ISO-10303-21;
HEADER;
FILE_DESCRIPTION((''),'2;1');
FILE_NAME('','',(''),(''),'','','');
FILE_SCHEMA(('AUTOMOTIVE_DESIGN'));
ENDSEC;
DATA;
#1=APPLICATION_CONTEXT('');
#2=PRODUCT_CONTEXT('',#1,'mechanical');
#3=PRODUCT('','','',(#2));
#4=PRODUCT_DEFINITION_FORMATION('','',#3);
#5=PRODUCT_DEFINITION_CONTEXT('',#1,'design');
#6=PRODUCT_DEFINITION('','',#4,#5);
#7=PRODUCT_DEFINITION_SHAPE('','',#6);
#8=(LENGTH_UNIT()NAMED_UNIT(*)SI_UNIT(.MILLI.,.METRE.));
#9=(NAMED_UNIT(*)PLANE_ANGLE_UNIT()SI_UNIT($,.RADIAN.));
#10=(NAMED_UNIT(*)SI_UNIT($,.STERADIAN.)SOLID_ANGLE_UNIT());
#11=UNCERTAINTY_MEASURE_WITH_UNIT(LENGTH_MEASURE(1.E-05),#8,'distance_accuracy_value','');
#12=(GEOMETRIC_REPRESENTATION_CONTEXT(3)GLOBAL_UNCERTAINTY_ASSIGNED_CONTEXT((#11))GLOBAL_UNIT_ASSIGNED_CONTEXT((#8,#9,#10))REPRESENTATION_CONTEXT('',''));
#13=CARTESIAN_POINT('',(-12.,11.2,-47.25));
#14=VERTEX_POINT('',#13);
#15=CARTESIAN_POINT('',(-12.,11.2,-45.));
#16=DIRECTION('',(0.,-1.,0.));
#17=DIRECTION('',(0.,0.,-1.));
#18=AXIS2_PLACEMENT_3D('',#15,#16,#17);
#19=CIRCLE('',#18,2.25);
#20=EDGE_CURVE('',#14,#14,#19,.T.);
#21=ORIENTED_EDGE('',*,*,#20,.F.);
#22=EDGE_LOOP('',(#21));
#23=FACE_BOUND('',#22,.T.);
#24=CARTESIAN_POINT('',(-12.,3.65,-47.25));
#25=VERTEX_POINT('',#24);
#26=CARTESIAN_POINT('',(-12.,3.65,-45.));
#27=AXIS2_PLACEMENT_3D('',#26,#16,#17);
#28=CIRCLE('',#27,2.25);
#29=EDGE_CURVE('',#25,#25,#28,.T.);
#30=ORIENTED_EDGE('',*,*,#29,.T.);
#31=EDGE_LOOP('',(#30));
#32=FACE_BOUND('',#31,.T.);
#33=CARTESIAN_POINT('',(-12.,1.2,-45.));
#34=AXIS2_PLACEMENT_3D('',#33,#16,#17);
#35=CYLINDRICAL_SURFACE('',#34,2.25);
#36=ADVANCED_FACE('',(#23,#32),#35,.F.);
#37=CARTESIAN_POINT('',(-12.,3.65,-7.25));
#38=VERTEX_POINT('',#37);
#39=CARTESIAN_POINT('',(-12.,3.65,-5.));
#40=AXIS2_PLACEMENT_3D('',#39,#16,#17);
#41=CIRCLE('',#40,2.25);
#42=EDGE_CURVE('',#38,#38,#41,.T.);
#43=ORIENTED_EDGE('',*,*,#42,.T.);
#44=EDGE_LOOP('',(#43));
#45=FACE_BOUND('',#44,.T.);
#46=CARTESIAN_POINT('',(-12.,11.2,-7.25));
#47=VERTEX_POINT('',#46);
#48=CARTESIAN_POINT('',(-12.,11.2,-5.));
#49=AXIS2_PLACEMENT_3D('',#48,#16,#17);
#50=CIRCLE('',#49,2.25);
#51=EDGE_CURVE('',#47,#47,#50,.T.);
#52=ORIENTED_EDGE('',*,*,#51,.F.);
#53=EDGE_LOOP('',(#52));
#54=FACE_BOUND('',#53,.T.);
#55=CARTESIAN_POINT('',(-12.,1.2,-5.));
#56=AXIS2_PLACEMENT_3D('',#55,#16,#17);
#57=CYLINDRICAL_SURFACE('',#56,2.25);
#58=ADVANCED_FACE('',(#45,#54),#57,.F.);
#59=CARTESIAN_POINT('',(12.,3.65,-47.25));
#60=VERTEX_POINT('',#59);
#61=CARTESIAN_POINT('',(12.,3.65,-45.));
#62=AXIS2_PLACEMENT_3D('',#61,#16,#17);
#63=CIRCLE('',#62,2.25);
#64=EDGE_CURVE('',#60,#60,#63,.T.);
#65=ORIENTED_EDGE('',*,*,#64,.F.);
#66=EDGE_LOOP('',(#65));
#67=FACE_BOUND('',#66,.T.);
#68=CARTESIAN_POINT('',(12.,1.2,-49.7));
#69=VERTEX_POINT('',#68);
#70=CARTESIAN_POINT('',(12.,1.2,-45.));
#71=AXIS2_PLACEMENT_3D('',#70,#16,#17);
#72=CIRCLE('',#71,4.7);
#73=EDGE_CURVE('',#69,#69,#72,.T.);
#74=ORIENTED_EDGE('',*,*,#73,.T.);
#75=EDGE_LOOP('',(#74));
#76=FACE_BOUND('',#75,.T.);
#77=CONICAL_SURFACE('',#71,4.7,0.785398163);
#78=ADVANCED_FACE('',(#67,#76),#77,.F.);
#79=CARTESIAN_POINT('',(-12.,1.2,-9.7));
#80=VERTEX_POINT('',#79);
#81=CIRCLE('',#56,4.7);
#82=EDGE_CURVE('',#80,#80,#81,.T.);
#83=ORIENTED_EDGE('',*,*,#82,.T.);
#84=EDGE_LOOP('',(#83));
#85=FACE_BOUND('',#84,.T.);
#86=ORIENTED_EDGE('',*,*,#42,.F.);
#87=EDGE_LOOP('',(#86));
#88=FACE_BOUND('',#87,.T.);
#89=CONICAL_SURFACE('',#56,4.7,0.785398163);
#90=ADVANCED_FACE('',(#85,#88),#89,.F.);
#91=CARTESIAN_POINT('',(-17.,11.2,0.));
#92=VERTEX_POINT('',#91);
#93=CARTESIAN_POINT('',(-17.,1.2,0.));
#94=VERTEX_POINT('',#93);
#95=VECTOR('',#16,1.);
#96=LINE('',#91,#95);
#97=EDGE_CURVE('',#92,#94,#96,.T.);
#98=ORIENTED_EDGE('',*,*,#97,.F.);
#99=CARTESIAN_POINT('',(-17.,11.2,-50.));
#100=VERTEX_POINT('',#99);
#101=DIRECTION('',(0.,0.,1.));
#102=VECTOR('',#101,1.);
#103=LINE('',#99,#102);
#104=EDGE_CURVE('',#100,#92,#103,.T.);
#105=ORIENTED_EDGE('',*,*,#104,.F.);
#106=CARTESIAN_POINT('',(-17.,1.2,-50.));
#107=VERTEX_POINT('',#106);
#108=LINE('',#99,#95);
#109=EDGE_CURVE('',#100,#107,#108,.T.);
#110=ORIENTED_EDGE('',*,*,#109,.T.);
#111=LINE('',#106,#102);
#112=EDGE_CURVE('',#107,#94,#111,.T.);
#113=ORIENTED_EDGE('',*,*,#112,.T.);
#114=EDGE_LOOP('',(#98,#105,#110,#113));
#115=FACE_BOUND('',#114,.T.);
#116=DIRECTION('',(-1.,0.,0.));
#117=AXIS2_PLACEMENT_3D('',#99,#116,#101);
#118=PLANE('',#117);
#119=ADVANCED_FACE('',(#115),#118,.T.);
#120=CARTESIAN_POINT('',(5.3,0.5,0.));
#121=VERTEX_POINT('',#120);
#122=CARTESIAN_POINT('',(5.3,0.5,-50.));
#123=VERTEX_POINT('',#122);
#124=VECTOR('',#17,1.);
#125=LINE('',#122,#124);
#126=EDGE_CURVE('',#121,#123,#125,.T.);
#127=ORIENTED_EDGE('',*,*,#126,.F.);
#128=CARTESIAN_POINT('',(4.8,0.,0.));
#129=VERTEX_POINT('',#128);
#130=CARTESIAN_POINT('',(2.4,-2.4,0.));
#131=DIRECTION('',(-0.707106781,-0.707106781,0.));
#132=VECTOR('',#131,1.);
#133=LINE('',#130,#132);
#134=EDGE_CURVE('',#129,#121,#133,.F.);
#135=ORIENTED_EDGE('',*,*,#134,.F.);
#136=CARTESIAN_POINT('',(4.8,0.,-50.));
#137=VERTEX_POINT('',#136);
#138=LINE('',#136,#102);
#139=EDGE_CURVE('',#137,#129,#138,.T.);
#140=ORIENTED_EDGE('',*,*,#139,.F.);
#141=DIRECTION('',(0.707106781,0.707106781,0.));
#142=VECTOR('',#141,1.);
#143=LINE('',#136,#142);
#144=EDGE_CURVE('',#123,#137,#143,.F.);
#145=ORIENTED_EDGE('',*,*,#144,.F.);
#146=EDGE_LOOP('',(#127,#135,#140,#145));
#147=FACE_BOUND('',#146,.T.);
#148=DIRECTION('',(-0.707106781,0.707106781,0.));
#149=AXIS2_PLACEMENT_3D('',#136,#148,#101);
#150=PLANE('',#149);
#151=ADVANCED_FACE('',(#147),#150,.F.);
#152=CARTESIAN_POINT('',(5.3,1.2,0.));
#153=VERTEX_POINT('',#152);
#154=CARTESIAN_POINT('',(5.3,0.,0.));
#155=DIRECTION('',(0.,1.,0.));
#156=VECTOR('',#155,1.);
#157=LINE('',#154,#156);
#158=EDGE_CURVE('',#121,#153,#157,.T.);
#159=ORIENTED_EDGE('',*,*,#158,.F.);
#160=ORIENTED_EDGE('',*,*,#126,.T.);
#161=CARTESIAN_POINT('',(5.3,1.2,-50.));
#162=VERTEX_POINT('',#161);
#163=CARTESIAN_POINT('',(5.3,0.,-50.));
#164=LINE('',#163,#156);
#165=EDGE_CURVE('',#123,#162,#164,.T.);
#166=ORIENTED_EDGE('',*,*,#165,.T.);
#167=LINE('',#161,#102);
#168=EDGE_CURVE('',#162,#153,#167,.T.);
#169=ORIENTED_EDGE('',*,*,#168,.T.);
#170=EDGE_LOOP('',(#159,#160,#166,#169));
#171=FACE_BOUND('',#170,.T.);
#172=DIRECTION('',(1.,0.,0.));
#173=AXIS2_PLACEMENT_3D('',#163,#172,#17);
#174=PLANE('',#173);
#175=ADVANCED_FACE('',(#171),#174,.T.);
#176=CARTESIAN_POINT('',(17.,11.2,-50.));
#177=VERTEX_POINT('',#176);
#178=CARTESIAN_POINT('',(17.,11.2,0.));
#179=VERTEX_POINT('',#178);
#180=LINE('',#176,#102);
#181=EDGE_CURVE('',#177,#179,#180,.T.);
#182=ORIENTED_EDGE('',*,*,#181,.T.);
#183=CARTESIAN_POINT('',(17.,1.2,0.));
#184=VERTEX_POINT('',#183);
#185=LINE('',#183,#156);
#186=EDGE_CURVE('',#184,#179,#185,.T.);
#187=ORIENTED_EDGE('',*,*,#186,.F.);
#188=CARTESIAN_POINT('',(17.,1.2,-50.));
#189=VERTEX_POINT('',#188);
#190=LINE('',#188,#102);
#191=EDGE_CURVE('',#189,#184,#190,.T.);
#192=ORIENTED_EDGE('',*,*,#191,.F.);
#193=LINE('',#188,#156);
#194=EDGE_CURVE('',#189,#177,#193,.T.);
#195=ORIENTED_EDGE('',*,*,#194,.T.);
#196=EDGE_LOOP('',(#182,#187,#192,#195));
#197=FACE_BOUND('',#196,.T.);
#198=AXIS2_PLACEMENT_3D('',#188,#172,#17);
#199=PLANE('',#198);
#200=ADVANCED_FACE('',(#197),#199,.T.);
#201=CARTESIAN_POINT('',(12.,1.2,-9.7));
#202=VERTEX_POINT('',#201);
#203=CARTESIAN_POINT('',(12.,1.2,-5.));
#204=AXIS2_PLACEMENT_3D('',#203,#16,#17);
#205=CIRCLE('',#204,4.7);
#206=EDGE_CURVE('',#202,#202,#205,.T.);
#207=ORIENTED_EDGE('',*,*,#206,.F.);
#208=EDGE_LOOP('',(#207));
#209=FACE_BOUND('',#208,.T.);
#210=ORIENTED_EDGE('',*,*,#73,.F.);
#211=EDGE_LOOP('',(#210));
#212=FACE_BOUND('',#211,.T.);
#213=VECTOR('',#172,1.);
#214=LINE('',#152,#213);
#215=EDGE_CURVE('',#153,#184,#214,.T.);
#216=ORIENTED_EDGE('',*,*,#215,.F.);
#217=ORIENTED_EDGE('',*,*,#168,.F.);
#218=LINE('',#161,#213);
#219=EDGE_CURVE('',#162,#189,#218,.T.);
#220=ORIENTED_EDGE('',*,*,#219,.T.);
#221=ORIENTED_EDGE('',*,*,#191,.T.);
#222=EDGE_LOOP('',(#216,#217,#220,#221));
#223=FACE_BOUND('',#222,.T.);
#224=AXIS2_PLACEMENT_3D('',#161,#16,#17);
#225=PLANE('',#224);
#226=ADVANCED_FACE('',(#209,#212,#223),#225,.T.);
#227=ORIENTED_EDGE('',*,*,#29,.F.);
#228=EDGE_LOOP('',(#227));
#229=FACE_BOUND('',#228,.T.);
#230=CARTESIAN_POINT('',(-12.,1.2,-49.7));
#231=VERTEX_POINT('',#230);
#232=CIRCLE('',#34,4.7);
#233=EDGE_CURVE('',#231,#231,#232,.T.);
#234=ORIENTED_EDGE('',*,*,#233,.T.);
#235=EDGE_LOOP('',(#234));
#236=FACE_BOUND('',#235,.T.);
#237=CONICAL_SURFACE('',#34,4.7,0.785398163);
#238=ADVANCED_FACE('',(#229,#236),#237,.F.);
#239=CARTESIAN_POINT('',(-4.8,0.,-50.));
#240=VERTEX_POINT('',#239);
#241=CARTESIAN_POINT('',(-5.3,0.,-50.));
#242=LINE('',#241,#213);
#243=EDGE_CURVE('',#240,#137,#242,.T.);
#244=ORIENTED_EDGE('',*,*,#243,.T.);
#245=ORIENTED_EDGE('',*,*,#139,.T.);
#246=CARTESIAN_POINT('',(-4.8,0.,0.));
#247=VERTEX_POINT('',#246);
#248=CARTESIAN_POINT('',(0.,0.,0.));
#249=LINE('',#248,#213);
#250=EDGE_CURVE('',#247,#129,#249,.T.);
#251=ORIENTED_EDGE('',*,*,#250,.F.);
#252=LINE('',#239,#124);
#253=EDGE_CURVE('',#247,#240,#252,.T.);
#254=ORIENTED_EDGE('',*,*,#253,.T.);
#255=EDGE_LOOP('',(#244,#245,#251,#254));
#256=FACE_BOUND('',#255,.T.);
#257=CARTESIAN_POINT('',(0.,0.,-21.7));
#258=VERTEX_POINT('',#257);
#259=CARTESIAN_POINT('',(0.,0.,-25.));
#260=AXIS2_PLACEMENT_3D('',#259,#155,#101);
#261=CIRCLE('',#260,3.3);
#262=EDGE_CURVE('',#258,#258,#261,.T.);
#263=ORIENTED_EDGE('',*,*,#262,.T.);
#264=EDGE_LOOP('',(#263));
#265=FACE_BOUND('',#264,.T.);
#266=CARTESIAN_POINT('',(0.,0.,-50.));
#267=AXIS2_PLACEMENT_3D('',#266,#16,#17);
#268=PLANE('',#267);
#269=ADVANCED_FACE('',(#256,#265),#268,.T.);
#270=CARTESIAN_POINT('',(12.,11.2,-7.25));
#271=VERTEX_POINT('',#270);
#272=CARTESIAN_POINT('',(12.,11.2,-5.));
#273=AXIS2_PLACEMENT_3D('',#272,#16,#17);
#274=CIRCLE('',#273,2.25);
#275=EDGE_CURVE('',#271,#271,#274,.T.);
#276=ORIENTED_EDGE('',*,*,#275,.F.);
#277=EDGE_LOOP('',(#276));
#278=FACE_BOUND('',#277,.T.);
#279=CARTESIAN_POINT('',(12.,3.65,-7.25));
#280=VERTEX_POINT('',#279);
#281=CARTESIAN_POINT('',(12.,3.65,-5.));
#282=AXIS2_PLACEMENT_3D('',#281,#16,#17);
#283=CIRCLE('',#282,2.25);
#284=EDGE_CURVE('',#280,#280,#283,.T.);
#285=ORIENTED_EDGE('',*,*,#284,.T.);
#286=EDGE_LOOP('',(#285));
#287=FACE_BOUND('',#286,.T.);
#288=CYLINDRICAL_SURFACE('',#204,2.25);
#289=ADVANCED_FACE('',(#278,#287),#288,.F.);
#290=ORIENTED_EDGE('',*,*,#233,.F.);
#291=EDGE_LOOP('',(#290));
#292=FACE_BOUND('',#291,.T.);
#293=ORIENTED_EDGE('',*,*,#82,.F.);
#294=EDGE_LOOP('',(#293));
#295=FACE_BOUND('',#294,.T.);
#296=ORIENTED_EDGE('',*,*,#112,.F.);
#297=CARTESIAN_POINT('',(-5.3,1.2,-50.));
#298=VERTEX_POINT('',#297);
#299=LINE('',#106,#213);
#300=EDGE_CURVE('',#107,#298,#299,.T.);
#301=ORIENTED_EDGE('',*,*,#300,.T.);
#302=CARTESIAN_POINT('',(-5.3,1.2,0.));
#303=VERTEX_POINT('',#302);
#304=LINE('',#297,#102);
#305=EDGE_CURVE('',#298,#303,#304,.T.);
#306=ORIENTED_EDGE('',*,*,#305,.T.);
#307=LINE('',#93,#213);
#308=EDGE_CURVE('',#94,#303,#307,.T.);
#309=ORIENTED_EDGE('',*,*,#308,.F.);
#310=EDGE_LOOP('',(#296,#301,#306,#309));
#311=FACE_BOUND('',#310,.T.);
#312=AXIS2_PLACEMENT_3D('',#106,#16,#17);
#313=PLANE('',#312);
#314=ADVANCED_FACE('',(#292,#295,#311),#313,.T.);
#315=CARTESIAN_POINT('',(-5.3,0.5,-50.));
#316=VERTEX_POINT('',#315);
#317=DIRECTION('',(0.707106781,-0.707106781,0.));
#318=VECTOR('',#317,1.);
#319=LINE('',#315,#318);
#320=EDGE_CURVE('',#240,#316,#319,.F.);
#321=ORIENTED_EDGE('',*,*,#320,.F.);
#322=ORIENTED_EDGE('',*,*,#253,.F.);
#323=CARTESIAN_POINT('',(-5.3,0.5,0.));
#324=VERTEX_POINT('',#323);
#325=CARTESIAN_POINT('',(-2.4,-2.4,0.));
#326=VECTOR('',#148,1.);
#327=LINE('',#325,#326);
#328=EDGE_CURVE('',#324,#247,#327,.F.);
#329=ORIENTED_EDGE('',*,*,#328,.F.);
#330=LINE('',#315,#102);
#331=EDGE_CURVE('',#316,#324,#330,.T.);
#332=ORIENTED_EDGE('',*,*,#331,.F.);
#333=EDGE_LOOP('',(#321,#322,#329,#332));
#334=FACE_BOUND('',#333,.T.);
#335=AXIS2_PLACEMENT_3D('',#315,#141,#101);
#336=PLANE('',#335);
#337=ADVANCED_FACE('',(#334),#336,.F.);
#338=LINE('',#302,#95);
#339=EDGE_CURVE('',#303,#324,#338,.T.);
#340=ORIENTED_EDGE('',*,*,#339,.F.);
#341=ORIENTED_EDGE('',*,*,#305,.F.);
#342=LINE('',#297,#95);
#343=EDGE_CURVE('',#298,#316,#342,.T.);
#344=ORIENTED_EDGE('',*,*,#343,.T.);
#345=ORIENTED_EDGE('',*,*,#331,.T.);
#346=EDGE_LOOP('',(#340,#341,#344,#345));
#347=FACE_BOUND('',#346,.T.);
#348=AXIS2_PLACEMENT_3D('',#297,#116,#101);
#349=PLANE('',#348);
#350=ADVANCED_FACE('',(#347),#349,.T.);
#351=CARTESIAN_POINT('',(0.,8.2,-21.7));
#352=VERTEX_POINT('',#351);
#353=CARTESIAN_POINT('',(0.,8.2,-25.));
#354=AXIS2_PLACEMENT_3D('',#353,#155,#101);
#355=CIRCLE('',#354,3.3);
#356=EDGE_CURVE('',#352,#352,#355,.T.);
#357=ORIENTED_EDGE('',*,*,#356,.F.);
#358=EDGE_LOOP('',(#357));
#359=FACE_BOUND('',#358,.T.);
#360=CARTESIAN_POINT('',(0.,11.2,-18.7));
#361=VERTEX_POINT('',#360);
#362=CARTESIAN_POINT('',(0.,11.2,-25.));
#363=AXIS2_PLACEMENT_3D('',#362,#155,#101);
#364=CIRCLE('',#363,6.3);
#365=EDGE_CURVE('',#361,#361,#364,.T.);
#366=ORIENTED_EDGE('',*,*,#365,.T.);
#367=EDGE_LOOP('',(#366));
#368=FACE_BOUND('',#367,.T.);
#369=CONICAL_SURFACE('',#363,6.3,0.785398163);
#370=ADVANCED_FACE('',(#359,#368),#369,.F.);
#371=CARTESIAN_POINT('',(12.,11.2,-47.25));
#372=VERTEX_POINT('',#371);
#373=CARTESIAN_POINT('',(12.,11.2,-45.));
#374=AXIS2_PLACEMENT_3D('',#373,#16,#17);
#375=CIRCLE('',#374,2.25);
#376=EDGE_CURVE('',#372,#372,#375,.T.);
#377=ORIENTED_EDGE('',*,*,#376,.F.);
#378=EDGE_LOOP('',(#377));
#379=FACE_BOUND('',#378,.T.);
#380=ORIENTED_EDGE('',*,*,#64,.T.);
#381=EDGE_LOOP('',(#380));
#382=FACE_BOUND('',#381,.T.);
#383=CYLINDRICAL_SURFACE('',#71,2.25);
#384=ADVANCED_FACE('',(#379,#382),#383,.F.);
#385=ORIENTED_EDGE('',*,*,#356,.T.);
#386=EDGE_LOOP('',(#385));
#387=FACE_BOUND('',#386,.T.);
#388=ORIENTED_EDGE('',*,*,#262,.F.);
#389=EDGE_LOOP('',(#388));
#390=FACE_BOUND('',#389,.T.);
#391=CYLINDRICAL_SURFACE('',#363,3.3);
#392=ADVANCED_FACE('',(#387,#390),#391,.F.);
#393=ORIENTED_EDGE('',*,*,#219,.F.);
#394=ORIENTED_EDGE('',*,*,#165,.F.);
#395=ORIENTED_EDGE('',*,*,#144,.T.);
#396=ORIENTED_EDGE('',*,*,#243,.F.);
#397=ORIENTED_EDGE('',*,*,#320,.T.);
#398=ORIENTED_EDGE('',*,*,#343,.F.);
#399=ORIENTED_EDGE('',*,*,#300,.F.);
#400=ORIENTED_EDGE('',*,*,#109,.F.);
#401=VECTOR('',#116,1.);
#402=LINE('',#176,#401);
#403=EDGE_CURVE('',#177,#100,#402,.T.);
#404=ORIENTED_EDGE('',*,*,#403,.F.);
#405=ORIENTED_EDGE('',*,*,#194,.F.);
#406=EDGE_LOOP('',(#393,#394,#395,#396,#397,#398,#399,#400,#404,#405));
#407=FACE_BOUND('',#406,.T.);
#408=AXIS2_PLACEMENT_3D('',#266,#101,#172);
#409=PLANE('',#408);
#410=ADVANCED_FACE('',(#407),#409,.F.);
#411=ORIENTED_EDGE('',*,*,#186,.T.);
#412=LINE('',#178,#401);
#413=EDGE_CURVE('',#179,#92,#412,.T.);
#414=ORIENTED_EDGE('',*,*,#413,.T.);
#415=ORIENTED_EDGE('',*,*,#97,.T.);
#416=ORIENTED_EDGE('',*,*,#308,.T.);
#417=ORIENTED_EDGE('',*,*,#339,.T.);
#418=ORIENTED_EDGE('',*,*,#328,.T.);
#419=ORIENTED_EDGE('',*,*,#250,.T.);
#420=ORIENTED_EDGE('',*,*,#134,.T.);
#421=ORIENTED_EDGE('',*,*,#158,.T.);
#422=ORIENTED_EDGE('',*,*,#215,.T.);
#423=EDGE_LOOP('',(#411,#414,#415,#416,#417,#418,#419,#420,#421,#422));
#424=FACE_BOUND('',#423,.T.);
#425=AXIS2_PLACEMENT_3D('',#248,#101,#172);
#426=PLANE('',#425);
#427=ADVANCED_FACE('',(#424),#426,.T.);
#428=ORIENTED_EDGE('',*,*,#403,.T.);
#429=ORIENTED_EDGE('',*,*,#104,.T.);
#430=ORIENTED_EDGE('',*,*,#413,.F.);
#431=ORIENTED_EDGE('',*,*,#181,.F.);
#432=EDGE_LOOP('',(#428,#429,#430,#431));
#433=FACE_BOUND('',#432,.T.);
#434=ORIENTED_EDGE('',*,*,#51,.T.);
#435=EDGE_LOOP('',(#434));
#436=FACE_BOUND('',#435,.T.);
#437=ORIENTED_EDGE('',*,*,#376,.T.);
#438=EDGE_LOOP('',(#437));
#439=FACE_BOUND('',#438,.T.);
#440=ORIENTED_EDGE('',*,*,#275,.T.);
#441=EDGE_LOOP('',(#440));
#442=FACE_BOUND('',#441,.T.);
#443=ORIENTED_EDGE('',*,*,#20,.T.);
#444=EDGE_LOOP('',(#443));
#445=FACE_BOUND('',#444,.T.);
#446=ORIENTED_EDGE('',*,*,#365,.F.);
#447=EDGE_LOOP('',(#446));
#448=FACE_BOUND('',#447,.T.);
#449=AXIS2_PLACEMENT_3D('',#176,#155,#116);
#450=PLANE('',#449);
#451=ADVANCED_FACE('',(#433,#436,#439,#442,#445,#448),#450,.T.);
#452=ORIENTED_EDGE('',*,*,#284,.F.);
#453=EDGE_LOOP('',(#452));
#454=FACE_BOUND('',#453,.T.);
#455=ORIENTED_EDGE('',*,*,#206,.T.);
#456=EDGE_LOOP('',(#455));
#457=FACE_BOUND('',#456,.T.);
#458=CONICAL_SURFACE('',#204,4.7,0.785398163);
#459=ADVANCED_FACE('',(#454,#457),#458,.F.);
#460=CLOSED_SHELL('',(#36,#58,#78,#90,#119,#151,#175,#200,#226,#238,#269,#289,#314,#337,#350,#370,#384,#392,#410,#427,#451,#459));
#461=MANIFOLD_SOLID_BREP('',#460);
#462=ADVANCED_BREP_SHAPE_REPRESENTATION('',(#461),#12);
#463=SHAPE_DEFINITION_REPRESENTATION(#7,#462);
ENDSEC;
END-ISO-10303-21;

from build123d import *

# Parameters (mm, degrees)
EXTRUDE_1_DEPTH            = 50
HOLE_WIZARD_M6_D           = 6.6
HOLE_WIZARD_M6_CSINK_D     = 12.6
HOLE_WIZARD_M6_CSINK_ANGLE = 90
HOLE_WIZARD_M4_D           = 4.5
HOLE_WIZARD_M4_CSINK_D     = 9.4
HOLE_WIZARD_M4_CSINK_ANGLE = 90
CHAMFER_1_SIZE             = 0.5


with BuildPart() as part:
    # Эскиз1 → Бобышка-Вытянуть1 (new body)
    with BuildSketch(Plane.XY):
        Polygon((0, 0), (5.3, 0), (5.3, 1.2), (17, 1.2), (17, 11.2), (-17, 11.2), (-17, 1.2), (-5.3, 1.2), (-5.3, 0), align=None)
    extrude(amount=-EXTRUDE_1_DEPTH)

    # Винт M6 (through all)
    with Locations(Plane(origin=(0, 11.2, 0), x_dir=(1, 0, 0), z_dir=(0, 1, 0))):
        with Locations((0, 25)):
            CounterSinkHole(HOLE_WIZARD_M6_D / 2, HOLE_WIZARD_M6_CSINK_D / 2, counter_sink_angle=HOLE_WIZARD_M6_CSINK_ANGLE)

    # Винт M4 (through all)
    with Locations(Plane(origin=(0, 1.2, 0), x_dir=(-1, 0, 0), z_dir=(0, -1, 0))):
        with Locations((12, 5), (-12, 5), (12, 45), (-12, 45)):
            CounterSinkHole(HOLE_WIZARD_M4_D / 2, HOLE_WIZARD_M4_CSINK_D / 2, counter_sink_angle=HOLE_WIZARD_M4_CSINK_ANGLE)

    # Фаска1
    chamfer_1_edges = [part.edges().sort_by_distance(p)[0] for p in [
        (-5.3, 0, -25),
        (5.3, 0, -25),
    ]]
    chamfer(chamfer_1_edges, length=CHAMFER_1_SIZE)


solid = part.part
